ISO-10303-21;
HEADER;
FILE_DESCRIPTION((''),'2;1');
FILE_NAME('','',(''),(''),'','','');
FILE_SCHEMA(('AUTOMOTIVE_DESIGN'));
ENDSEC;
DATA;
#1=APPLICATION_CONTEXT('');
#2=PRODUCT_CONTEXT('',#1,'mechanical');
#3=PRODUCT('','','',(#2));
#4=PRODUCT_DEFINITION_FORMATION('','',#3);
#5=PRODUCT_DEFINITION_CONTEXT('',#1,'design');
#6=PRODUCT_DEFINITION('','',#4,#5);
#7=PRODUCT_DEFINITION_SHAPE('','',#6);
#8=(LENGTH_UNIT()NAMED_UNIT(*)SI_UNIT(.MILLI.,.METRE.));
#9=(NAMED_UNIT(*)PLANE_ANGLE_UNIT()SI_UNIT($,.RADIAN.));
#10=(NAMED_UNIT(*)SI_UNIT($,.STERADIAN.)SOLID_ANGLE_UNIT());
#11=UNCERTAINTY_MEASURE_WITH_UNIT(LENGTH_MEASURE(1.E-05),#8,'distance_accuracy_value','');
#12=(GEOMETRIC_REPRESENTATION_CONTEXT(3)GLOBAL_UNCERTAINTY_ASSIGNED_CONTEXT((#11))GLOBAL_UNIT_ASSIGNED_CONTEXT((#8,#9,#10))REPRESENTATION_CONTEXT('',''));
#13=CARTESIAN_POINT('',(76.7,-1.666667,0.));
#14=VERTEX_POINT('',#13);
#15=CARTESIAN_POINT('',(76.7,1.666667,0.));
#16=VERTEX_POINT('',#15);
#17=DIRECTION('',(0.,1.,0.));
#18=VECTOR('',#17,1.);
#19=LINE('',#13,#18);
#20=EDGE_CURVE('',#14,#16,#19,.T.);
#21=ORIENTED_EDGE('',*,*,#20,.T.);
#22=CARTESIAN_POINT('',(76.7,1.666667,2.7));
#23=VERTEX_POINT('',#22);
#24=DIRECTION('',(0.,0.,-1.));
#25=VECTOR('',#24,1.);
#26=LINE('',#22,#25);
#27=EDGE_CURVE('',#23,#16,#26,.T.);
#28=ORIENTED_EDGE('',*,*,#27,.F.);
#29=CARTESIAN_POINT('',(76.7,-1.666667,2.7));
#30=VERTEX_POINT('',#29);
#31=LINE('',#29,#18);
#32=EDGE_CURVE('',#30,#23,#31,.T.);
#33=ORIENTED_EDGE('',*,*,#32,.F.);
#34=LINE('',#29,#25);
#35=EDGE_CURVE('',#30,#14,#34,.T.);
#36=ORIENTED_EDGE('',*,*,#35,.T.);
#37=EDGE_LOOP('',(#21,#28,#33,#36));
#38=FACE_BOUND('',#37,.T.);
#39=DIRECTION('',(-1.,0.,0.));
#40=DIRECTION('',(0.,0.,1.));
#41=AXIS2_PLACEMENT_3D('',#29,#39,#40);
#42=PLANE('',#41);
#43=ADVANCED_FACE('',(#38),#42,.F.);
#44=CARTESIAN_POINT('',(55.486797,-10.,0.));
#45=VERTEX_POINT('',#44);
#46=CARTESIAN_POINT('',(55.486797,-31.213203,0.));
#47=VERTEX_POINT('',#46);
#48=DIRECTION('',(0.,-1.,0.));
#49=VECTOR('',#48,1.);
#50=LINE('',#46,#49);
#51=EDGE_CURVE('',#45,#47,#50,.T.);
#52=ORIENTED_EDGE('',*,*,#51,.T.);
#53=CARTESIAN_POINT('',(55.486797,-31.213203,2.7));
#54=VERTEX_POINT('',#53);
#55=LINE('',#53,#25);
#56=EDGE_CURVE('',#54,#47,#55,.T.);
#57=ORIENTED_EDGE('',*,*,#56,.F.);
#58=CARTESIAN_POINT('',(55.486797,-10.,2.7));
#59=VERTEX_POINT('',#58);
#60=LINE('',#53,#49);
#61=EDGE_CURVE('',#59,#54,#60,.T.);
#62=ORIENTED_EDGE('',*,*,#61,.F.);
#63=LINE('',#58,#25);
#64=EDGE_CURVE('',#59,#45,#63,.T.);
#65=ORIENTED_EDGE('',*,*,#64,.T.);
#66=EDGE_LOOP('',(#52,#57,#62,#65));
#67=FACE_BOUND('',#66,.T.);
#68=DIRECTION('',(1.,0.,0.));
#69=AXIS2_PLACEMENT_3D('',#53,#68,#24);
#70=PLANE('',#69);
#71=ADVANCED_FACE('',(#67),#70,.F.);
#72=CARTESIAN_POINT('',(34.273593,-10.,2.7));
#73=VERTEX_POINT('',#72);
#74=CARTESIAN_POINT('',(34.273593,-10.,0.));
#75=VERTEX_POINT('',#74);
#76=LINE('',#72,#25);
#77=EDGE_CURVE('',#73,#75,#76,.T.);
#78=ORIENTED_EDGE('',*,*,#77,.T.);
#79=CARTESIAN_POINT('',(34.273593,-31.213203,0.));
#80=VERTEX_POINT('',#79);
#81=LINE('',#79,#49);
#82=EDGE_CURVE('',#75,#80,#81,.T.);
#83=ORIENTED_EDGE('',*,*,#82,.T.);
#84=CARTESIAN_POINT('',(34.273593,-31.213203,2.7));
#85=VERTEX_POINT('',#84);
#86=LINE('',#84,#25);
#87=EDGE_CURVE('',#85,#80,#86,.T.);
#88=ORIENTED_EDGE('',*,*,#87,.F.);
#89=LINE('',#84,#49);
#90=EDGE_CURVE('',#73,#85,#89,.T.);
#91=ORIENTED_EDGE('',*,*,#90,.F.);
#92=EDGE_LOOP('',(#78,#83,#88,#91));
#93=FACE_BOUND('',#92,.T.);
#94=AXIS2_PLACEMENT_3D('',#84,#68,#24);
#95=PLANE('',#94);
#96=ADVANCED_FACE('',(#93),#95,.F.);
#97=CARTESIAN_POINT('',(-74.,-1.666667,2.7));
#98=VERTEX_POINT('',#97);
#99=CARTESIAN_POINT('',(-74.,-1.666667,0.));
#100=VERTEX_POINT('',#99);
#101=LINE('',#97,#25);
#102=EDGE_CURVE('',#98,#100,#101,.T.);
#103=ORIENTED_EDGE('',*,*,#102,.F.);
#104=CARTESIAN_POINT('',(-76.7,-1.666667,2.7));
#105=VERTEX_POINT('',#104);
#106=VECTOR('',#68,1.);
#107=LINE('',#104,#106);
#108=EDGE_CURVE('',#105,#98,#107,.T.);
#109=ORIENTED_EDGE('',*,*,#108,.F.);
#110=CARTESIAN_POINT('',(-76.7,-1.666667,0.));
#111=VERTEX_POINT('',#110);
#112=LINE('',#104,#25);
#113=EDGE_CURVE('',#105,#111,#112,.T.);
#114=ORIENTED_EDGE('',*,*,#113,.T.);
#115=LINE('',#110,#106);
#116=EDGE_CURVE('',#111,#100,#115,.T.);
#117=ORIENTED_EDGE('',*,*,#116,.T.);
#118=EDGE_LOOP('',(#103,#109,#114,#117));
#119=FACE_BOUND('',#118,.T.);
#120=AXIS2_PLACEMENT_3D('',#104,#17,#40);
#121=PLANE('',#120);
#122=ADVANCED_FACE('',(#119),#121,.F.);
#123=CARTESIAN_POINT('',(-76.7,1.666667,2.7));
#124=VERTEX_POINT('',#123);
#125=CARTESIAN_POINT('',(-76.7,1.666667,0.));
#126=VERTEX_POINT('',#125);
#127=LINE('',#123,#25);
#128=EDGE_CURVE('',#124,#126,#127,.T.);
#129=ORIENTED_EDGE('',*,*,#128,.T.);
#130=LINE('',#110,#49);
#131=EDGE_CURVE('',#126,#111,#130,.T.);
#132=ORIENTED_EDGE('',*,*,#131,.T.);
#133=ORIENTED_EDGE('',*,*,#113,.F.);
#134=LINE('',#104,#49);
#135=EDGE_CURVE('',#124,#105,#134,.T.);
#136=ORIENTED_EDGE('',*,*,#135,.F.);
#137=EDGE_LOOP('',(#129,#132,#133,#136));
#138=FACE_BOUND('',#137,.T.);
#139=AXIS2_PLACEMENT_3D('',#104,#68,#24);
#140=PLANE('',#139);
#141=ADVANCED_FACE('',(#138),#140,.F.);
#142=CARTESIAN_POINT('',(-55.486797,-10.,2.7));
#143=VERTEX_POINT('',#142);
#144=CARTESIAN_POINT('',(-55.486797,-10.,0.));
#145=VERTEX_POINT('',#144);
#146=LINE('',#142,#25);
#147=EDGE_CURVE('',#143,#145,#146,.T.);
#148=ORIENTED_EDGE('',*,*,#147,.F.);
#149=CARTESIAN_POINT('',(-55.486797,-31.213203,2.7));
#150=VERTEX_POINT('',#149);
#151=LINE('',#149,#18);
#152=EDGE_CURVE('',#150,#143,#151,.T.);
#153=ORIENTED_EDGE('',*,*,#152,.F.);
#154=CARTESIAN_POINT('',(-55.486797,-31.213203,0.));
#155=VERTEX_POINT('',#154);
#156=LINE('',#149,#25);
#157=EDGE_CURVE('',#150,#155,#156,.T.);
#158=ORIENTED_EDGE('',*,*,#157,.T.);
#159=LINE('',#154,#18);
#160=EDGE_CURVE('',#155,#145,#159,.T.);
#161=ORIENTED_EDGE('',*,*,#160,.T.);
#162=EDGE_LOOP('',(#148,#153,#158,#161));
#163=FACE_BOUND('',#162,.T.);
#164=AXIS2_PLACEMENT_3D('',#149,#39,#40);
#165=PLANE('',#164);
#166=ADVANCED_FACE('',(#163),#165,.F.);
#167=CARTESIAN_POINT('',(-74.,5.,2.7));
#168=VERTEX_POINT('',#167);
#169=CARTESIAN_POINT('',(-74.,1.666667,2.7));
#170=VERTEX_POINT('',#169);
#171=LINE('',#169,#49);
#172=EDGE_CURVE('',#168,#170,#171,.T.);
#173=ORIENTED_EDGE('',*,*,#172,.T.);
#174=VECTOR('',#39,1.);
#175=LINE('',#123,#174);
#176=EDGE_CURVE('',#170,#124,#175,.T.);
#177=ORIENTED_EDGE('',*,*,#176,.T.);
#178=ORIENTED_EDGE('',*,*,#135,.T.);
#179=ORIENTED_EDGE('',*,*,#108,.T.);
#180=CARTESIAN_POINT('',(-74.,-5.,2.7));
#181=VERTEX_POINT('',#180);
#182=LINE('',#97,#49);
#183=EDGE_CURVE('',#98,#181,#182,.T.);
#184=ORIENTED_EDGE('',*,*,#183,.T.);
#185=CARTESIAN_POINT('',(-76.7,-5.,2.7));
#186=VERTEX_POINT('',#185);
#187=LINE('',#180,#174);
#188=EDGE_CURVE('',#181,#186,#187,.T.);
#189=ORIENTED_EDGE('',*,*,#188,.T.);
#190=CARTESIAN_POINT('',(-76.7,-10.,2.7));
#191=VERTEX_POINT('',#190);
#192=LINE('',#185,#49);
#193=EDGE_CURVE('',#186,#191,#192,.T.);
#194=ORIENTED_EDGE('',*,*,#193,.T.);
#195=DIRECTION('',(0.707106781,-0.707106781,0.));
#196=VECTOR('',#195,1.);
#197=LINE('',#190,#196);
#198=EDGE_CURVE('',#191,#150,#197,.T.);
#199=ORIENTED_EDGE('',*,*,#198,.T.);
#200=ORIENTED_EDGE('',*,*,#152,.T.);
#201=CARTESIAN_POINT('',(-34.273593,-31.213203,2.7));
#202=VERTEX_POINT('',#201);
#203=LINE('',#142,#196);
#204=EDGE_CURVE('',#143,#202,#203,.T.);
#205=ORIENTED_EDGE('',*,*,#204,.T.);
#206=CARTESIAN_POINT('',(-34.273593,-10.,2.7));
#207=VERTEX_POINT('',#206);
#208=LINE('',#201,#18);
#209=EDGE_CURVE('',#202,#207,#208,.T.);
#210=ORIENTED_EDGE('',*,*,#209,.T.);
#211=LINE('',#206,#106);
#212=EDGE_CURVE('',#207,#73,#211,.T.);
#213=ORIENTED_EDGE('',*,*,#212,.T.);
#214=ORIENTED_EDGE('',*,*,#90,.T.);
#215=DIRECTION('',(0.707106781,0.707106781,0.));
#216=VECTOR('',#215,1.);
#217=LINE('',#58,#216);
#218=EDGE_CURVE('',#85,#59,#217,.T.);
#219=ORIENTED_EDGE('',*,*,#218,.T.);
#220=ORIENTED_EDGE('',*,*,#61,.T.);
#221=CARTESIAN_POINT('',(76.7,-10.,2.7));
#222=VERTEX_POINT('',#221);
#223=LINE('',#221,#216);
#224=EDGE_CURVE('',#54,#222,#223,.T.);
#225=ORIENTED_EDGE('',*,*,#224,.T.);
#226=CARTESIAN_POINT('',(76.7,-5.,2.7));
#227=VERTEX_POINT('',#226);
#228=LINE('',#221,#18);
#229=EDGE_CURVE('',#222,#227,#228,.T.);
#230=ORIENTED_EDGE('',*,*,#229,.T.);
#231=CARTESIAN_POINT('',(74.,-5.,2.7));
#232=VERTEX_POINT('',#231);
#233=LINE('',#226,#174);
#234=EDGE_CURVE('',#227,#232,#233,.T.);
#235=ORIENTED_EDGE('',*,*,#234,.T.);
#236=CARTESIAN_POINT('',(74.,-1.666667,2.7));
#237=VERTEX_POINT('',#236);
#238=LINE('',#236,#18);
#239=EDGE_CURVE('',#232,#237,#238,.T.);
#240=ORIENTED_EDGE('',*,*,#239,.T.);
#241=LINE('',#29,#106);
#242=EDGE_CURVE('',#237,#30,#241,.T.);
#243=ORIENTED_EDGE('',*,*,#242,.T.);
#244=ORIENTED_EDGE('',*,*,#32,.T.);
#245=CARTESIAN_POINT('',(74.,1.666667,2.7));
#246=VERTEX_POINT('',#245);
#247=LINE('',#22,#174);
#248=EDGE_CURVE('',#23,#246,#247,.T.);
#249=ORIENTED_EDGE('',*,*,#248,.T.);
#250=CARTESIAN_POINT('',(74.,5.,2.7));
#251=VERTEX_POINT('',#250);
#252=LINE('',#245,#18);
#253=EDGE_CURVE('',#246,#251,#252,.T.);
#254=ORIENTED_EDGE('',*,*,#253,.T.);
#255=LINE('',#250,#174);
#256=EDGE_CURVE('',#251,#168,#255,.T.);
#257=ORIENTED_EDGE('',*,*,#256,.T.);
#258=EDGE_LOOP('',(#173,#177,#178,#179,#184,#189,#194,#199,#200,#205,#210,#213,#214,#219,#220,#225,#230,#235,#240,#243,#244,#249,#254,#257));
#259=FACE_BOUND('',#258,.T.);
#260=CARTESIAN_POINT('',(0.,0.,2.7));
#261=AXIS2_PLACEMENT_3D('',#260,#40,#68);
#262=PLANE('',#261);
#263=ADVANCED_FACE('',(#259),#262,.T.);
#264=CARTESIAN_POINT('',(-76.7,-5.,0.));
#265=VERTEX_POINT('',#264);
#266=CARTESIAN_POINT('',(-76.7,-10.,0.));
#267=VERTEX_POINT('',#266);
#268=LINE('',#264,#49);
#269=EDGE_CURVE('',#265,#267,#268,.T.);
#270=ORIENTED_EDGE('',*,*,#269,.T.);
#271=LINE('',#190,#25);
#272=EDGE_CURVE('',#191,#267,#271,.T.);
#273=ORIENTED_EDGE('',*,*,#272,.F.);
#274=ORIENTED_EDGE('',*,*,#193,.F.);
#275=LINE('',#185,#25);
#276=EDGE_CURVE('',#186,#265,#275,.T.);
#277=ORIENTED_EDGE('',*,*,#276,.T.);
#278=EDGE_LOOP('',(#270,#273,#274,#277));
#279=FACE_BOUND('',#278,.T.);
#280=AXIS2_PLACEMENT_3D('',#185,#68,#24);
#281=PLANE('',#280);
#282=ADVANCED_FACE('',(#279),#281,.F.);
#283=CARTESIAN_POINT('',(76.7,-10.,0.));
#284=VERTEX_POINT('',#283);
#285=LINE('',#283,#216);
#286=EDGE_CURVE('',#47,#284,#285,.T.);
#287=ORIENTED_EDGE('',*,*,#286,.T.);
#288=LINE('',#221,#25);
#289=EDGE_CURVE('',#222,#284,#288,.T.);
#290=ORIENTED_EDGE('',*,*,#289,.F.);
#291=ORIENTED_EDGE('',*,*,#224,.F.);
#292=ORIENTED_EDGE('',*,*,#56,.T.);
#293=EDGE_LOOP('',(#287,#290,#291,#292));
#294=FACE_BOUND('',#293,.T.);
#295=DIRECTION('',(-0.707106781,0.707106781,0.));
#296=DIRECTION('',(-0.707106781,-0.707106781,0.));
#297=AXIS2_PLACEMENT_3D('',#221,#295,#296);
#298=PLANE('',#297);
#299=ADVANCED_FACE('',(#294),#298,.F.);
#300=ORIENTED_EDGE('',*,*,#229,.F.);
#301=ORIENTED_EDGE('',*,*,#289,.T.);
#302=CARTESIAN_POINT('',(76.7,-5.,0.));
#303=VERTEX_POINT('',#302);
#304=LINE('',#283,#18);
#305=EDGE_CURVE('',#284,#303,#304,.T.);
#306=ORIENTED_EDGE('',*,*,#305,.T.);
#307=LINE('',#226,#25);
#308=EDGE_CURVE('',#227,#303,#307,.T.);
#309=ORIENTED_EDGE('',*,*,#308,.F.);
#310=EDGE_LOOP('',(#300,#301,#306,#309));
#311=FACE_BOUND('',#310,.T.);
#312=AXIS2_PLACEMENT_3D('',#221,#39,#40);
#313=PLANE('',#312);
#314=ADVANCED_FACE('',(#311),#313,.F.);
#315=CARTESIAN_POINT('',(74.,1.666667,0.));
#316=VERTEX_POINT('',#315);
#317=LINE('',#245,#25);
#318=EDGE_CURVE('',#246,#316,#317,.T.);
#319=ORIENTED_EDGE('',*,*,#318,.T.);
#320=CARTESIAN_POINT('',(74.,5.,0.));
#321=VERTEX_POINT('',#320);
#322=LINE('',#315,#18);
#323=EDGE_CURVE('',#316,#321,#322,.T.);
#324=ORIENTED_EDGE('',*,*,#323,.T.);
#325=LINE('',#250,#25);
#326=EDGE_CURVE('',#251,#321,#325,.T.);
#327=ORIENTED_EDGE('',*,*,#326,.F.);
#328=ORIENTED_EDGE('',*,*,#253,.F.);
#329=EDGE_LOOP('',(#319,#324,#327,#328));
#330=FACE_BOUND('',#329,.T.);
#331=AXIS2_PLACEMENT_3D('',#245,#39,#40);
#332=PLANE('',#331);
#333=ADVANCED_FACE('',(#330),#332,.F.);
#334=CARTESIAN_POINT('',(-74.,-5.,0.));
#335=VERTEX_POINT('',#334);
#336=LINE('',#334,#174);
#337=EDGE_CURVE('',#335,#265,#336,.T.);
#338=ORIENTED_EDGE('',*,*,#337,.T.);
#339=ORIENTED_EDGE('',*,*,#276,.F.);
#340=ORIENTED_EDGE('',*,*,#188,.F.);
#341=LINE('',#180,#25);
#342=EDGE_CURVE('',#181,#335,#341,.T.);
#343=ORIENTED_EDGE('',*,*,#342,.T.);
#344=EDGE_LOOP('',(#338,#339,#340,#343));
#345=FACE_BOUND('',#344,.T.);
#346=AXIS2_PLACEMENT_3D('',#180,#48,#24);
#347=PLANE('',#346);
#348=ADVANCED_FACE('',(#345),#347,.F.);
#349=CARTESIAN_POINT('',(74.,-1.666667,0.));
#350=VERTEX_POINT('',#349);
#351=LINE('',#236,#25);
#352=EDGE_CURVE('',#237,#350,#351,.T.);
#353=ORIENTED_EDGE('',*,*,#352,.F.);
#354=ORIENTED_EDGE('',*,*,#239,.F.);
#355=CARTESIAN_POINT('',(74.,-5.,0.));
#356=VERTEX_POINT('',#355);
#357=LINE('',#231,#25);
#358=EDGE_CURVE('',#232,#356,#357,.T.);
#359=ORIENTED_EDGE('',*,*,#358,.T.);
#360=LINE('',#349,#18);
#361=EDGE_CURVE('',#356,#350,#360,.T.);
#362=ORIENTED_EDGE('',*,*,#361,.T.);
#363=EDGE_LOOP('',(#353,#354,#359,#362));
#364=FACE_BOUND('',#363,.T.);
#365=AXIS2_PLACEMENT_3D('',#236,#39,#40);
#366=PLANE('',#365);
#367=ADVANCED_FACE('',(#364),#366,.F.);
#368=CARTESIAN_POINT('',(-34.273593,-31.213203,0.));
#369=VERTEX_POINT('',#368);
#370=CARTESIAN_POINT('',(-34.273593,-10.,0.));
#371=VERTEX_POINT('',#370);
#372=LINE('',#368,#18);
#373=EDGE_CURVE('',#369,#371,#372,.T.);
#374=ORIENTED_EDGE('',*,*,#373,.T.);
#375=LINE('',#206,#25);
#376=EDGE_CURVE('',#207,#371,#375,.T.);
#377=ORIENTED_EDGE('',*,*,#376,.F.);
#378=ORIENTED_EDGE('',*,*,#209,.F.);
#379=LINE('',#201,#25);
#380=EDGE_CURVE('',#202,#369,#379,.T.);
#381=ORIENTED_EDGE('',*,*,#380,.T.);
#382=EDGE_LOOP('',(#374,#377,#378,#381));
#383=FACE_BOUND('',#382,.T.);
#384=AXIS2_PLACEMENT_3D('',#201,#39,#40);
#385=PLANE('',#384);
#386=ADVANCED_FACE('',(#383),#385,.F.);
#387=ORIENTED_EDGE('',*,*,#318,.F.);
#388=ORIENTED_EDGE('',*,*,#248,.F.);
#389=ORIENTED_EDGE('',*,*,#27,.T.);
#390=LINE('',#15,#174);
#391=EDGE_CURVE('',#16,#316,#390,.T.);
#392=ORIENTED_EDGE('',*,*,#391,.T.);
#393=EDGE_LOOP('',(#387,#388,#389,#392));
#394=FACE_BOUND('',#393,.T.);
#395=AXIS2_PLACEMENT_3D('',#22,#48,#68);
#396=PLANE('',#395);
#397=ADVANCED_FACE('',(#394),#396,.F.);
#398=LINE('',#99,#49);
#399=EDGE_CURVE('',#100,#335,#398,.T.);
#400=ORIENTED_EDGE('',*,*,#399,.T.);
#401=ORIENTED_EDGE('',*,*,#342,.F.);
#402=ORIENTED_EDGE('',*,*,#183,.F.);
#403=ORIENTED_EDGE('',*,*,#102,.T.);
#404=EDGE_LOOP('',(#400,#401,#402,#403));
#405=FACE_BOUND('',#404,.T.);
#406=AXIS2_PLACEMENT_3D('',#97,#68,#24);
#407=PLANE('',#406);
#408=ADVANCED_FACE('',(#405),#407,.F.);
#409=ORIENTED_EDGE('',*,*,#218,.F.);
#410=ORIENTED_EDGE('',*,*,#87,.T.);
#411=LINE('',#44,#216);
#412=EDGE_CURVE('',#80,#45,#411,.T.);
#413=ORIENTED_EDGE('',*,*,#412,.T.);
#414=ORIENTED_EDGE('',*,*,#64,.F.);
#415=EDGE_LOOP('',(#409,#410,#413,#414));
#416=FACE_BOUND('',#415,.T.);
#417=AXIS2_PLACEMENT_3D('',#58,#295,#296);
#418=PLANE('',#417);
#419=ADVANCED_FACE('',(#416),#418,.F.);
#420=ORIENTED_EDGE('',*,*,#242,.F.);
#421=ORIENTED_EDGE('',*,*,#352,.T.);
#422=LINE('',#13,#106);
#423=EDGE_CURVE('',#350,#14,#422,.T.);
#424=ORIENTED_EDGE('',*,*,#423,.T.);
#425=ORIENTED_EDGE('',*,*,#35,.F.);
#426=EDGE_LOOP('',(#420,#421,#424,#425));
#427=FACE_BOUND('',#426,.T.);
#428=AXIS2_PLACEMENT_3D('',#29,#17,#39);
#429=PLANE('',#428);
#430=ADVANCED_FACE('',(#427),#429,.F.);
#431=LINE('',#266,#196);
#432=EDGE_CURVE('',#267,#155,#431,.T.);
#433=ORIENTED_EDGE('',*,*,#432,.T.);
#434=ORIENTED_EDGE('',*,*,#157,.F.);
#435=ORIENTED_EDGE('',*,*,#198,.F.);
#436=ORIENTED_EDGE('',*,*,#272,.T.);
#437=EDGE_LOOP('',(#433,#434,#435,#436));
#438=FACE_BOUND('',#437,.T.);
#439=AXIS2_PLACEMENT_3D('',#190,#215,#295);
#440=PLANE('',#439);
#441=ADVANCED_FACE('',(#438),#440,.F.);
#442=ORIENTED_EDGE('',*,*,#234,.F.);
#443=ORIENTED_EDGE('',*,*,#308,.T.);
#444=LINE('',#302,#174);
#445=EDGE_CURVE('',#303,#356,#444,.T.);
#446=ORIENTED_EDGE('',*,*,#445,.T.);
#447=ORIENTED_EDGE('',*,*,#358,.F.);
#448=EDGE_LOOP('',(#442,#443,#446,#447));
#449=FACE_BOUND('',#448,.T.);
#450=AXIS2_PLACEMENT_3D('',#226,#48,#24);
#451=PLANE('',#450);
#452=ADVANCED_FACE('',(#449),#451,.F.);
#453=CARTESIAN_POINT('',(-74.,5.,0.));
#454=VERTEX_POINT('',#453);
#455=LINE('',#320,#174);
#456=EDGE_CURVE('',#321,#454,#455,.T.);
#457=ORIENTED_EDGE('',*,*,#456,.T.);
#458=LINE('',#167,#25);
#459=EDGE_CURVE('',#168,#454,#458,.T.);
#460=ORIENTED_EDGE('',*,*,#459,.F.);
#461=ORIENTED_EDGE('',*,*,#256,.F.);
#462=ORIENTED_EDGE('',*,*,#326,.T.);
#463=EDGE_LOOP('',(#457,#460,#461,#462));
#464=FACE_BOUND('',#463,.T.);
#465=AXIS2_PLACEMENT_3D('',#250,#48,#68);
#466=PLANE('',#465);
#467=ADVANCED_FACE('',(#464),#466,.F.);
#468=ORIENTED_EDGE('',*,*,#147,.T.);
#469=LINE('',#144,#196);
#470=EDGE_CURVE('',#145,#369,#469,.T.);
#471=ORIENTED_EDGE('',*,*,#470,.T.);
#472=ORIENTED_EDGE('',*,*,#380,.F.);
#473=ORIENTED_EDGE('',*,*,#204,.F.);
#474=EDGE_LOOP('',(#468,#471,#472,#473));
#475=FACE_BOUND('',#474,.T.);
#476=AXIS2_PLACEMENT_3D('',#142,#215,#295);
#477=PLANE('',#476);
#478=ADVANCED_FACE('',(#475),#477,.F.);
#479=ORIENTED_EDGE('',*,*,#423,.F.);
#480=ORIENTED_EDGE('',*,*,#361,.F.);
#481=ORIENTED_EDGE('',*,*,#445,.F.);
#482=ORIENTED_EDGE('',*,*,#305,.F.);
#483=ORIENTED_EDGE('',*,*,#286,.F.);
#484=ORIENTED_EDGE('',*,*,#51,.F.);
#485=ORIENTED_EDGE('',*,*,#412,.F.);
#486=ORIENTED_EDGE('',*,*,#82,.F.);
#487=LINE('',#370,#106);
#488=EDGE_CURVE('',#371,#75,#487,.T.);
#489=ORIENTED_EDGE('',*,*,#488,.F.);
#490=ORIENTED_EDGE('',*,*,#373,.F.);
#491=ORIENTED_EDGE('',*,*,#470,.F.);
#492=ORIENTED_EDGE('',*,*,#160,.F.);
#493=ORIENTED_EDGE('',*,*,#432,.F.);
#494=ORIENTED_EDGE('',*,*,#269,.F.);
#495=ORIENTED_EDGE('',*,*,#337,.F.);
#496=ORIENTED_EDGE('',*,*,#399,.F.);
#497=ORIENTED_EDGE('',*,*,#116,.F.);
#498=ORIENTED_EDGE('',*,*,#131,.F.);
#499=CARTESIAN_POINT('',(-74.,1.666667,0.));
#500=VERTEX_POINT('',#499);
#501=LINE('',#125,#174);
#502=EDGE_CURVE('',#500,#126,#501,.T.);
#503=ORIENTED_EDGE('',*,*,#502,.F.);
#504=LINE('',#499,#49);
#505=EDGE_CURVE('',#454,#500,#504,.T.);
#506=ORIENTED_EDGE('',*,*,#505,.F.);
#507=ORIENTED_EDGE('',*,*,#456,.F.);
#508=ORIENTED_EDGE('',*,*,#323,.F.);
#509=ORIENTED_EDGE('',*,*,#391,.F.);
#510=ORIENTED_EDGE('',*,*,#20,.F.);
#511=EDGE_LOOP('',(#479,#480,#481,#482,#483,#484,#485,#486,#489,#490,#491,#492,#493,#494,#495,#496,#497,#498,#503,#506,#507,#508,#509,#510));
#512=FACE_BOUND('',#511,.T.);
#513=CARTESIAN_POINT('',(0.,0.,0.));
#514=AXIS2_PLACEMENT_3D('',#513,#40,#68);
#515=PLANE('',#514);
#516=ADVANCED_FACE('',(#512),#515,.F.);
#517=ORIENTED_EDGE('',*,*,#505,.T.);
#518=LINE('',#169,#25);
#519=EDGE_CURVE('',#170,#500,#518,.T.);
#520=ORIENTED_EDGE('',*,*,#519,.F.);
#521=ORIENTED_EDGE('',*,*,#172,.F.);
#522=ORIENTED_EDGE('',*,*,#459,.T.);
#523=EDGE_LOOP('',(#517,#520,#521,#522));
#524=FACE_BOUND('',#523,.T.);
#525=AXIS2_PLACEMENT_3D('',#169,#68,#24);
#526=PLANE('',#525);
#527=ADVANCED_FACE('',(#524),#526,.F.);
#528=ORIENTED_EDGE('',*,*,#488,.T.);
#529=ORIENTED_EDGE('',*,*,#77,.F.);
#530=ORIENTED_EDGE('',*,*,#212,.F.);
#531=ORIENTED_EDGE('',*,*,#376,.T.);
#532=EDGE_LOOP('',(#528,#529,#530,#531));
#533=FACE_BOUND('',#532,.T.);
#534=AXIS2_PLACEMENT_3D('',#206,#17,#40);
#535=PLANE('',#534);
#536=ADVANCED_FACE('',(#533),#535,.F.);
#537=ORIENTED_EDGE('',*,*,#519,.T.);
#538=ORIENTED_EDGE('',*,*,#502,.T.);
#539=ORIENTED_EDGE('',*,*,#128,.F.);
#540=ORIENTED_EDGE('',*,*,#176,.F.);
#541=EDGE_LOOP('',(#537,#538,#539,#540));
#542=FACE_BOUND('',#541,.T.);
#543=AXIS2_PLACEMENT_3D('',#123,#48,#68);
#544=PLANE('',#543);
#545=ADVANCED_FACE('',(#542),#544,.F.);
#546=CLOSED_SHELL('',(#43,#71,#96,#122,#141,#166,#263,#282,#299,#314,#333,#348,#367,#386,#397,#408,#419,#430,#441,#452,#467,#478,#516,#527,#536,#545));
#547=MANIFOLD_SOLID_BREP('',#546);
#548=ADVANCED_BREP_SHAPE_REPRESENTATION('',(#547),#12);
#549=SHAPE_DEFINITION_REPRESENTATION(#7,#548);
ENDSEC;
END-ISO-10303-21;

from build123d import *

# Parameters (mm, degrees)
BOSS_EXTRUDE1_DEPTH = 2.7


with BuildPart() as part:
    # Sketch1 → Boss-Extrude1 (new body)
    with BuildSketch(Plane.XY):
        Polygon((-76.7, -1.666666667), (-76.7, 1.666666667), (-74, 1.666666667), (-74, 5), (74, 5), (74, 1.666666667), (76.7, 1.666666667), (76.7, -1.666666667), (74, -1.666666667), (74, -5), (76.7, -5), (76.7, -10), (55.486796564, -31.213203436), (55.486796564, -10), (34.273593129, -31.213203436), (34.273593129, -10), (-34.273593129, -10), (-34.273593129, -31.213203436), (-55.486796564, -10), (-55.486796564, -31.213203436), (-76.7, -10), (-76.7, -5), (-74, -5), (-74, -1.666666667), align=None)
    extrude(amount=BOSS_EXTRUDE1_DEPTH)


solid = part.part
